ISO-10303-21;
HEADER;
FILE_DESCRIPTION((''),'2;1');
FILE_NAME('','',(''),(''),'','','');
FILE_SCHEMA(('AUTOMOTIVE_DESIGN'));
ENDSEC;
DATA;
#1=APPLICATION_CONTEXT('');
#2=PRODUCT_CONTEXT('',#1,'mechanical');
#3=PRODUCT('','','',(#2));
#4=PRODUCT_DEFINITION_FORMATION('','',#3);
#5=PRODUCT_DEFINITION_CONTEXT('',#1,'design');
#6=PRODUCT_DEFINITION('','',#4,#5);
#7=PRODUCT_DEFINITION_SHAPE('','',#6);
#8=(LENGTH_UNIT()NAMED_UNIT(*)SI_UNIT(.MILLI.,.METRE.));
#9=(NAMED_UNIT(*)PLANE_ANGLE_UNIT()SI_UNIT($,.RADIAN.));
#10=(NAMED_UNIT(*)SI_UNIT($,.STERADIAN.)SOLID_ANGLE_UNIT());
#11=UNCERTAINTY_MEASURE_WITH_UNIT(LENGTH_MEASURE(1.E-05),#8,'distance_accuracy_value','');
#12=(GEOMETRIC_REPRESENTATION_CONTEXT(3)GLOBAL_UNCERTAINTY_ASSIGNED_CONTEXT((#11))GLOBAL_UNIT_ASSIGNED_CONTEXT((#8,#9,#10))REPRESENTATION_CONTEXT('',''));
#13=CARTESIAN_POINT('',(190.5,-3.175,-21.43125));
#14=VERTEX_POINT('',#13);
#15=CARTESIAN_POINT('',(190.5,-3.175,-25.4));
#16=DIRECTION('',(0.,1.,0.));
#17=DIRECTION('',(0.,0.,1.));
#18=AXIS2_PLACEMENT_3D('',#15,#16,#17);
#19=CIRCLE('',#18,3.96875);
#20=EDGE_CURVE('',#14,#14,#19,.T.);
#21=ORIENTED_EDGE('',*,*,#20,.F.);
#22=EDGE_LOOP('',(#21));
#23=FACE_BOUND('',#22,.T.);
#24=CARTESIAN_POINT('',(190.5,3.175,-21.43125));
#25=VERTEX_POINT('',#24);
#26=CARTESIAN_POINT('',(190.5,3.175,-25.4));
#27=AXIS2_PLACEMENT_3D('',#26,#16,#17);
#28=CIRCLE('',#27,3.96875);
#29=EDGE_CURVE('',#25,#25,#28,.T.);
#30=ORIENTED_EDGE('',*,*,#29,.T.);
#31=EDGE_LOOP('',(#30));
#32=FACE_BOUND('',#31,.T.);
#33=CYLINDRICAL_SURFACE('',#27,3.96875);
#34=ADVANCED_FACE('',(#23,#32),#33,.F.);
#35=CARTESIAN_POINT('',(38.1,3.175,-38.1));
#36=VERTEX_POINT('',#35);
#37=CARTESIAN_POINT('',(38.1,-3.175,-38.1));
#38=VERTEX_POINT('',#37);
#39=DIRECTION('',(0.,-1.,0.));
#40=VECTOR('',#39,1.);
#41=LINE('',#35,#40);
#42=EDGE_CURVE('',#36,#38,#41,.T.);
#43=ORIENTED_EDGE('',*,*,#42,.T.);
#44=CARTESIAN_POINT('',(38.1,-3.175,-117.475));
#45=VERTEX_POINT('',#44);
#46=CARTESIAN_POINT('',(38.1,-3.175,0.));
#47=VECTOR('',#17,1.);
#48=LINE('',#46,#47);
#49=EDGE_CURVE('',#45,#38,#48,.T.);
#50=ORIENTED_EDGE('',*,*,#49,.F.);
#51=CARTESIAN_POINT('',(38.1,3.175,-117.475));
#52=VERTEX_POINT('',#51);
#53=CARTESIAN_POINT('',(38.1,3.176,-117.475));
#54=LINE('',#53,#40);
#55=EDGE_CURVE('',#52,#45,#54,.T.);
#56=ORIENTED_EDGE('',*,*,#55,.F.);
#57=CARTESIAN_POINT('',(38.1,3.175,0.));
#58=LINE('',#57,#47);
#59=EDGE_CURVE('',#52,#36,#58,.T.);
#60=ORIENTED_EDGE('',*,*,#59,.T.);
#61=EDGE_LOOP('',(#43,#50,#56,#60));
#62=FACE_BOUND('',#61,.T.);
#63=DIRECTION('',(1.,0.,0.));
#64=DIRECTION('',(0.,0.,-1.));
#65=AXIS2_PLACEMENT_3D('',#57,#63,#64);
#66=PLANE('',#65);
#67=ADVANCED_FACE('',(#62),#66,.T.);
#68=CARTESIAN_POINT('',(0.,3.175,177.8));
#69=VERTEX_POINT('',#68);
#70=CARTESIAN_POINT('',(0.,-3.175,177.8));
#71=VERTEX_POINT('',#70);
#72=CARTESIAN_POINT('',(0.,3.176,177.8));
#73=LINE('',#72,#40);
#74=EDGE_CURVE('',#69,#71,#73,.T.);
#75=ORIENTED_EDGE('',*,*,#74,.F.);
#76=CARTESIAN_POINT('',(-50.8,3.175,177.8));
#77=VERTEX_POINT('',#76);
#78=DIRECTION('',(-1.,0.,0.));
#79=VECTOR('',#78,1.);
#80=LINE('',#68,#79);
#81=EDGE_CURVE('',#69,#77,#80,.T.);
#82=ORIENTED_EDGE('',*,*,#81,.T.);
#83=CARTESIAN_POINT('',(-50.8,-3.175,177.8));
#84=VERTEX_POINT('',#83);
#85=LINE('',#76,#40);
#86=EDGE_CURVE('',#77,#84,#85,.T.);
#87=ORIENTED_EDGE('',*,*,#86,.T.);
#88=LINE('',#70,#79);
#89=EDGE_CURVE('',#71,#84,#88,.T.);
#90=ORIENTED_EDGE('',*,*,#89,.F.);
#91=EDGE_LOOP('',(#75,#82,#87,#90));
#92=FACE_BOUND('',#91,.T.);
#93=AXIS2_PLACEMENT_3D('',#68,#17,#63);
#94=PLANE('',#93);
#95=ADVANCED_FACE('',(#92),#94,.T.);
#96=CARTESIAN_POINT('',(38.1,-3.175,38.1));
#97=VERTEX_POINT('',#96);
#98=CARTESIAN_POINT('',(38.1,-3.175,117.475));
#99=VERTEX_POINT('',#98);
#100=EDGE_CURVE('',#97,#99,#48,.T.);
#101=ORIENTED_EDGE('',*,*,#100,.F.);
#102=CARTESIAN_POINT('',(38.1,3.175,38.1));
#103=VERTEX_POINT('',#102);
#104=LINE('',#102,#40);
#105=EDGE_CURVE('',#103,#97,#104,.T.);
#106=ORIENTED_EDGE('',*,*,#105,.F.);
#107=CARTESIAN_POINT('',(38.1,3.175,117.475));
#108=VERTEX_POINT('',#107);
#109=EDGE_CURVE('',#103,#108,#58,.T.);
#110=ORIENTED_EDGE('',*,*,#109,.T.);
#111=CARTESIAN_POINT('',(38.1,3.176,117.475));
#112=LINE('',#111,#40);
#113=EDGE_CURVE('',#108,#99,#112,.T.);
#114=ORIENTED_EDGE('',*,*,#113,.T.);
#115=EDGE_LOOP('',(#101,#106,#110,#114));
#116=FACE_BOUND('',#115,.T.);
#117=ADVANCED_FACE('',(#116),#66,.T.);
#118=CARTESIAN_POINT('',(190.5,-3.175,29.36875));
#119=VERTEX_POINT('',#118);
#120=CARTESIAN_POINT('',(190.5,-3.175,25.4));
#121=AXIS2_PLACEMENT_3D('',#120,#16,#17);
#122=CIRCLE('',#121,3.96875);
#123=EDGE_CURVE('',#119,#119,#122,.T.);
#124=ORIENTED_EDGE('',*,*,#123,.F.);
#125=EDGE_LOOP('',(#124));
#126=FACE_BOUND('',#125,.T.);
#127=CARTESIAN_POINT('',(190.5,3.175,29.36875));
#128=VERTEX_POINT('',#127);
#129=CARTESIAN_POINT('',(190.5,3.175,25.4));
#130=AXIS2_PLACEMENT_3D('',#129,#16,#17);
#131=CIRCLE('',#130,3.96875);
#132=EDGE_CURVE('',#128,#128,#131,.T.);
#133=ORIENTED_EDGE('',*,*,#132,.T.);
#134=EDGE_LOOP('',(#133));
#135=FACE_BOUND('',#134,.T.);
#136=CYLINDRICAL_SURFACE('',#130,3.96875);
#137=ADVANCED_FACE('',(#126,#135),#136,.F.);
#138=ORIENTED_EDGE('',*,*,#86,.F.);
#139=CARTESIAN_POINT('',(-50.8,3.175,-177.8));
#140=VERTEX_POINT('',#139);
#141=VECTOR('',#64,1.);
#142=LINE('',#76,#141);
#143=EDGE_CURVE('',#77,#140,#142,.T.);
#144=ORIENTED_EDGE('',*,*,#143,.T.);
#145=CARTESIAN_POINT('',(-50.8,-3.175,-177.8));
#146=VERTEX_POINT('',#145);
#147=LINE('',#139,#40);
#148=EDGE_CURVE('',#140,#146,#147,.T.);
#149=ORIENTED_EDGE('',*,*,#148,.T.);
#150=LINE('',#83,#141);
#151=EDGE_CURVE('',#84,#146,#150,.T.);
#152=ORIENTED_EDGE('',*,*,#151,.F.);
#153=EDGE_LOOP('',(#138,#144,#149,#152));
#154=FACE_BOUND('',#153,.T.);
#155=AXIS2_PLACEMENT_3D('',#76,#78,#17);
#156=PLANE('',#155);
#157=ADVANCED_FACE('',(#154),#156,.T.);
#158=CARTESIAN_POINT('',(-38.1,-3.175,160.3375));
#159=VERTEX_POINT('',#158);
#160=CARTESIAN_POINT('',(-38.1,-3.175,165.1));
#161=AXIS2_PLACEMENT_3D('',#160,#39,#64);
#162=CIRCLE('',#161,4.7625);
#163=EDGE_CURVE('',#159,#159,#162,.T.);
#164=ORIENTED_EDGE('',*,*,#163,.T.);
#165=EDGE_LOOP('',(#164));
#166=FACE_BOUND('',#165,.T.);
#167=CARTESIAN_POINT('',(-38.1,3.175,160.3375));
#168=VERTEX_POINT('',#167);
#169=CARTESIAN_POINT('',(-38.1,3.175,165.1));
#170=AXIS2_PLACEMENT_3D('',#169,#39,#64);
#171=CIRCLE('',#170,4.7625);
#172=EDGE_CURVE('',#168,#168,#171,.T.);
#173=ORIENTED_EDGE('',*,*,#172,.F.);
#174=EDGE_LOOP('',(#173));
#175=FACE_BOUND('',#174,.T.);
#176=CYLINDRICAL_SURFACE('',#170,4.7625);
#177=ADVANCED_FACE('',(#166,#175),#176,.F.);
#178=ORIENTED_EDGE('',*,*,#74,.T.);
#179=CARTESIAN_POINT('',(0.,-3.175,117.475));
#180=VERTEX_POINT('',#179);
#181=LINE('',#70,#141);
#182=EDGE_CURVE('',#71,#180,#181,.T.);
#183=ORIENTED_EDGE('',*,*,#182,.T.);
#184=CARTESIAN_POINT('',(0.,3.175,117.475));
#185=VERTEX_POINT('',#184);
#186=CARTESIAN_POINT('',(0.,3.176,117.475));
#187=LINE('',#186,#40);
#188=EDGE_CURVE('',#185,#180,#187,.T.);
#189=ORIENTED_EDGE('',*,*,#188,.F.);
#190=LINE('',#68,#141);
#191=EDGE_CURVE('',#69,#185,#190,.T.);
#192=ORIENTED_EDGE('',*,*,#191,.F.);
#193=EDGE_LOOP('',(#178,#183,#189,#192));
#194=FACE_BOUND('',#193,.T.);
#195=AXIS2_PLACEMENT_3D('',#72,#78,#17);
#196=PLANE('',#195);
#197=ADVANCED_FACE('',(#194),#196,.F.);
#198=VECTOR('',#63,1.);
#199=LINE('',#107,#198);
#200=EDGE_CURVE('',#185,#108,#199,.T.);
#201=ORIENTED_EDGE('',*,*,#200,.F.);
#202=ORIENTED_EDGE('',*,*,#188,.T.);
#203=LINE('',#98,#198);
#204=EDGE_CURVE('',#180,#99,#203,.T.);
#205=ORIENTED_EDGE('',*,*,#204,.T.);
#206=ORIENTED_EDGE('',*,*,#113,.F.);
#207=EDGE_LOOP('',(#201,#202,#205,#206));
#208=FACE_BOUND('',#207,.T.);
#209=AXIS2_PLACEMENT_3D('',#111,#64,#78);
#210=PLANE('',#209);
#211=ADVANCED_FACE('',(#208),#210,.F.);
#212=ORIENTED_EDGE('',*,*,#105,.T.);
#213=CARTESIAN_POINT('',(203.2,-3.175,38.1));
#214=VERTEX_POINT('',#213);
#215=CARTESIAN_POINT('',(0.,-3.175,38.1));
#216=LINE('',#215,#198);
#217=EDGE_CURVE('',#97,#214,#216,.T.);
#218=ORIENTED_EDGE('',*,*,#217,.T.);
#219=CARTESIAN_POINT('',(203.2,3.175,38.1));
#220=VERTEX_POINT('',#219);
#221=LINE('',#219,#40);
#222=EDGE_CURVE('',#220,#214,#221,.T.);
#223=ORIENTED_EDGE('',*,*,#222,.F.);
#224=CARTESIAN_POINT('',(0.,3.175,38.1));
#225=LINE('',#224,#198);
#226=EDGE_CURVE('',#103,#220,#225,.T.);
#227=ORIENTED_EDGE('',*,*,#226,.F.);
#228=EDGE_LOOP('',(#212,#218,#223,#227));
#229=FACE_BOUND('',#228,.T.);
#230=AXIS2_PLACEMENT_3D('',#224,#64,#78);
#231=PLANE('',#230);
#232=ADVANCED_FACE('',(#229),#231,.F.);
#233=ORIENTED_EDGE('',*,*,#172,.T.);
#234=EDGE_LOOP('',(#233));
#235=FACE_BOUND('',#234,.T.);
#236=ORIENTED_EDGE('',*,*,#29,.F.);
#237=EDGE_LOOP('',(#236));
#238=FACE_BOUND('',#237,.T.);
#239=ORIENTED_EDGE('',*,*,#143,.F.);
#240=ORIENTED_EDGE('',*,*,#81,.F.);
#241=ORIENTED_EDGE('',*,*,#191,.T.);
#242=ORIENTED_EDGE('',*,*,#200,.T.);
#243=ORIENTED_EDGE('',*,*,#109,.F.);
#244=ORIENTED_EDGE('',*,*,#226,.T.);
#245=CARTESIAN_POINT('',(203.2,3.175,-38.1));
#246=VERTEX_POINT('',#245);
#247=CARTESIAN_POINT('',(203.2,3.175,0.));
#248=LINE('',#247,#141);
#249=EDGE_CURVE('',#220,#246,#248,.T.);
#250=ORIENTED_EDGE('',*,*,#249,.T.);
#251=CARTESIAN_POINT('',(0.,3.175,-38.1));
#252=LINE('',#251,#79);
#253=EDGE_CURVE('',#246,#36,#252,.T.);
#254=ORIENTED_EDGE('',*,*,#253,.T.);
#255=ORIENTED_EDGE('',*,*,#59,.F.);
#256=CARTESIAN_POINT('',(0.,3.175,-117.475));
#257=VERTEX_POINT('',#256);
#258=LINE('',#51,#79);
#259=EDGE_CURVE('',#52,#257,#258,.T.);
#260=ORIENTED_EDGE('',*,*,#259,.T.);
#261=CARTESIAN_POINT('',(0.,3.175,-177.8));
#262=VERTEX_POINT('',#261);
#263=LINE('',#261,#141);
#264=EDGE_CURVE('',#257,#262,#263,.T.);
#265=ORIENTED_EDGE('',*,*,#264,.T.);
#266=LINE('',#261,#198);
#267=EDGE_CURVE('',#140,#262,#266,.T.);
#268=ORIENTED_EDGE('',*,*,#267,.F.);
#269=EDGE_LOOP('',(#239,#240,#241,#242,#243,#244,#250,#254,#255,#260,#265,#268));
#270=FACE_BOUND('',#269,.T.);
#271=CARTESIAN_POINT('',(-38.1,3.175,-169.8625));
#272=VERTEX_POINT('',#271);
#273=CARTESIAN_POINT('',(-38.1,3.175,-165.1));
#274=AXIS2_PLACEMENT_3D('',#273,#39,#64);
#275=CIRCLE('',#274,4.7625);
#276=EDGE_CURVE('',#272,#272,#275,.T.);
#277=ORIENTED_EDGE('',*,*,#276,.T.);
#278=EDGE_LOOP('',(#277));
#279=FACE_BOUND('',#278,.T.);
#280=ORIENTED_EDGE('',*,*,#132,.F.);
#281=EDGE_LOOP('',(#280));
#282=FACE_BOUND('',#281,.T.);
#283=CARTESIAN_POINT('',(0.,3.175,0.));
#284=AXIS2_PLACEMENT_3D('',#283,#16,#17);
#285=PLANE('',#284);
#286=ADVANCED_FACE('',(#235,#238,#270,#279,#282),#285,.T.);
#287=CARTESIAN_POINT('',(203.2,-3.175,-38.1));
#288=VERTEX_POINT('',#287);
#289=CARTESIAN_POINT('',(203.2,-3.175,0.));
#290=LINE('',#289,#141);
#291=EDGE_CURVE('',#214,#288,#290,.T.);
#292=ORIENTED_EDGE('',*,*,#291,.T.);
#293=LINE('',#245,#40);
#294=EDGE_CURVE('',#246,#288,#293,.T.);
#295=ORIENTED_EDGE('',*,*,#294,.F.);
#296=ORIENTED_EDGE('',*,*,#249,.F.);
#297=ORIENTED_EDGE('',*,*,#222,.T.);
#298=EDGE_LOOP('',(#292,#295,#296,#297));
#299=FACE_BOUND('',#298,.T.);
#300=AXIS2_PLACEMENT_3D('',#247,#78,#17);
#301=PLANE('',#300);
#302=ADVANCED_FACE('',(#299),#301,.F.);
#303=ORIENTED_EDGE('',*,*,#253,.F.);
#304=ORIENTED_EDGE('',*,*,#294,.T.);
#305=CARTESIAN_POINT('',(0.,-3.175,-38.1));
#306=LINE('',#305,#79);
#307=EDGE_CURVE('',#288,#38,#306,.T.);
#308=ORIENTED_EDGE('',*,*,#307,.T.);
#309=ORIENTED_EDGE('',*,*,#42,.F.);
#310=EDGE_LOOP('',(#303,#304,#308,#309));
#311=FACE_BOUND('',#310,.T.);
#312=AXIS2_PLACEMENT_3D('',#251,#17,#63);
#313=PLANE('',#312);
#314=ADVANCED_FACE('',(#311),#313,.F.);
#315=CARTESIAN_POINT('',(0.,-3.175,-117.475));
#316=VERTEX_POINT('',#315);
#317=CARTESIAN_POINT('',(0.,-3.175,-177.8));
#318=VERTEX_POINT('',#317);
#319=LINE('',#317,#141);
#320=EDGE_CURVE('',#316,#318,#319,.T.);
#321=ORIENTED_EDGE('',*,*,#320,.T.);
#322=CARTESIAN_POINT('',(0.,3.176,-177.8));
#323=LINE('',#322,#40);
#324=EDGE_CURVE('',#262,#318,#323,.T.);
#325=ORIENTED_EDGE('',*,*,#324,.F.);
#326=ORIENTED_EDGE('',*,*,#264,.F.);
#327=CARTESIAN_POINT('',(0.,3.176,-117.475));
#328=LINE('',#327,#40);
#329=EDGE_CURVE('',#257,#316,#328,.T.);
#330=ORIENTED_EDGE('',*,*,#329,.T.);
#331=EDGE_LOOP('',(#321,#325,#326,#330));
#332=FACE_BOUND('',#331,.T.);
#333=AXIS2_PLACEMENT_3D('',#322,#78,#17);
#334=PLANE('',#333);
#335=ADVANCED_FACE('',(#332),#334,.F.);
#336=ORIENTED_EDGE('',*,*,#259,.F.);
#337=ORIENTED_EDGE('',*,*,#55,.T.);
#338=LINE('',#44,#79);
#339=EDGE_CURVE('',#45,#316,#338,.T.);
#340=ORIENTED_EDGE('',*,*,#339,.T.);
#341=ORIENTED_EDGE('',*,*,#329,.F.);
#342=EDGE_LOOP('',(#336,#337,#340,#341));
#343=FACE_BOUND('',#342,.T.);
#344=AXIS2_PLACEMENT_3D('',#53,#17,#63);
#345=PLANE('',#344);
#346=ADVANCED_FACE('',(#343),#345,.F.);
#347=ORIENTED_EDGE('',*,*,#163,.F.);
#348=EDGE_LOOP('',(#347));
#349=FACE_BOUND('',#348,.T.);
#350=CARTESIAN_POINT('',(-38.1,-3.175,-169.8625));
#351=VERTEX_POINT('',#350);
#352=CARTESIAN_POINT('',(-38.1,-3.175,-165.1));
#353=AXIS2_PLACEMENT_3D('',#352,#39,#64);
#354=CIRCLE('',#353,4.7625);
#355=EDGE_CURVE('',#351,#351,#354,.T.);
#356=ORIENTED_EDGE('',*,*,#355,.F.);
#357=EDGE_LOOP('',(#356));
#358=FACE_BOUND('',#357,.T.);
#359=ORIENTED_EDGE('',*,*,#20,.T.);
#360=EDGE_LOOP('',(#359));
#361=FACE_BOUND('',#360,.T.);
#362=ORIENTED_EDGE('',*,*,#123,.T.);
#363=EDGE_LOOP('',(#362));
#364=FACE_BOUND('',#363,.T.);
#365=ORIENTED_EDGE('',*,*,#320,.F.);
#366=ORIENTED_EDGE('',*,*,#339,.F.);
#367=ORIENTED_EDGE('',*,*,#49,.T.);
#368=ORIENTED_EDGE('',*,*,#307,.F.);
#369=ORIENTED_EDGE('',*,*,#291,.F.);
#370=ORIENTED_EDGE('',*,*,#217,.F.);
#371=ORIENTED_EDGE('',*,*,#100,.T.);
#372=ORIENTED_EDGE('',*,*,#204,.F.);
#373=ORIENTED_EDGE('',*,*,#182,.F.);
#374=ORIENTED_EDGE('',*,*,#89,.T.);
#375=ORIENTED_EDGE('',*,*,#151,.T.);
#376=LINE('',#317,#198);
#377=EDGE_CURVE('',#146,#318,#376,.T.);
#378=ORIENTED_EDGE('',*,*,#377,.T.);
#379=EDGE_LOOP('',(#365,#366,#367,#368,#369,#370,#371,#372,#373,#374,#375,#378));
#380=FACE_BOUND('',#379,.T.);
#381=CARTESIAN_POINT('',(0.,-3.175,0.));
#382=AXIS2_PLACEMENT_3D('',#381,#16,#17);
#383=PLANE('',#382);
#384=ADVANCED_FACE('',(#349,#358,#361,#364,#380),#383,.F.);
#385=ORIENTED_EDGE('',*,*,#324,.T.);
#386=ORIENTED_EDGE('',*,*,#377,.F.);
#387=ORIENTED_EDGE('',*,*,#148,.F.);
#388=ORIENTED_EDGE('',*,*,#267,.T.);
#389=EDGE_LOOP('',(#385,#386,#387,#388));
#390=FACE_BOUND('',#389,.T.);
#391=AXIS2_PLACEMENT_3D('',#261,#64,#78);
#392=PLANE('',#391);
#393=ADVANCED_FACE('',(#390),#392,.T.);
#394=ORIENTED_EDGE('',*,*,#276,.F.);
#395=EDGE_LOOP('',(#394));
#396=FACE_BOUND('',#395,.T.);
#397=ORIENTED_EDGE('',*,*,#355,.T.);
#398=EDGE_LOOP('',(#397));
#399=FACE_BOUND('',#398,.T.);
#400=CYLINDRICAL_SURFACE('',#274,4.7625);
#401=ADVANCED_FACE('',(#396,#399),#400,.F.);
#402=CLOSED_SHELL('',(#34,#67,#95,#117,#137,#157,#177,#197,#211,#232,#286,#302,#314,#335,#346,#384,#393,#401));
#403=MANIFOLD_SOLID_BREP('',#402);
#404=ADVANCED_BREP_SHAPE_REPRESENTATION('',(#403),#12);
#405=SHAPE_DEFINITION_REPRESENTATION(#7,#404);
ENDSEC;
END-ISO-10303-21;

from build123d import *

# Parameters (mm, degrees)
SKETCH1_W                   = 165.1
SKETCH1_H                   = 38.1
BOSS_EXTRUDE1_DEPTH         = 3.175
F_1_4_0_25_DIAMETER_HOLE1_D = 7.9375
SKETCH4_W                   = 50.8
SKETCH4_H                   = 355.6
SKETCH4_R                   = 4.7625
BOSS_EXTRUDE2_DEPTH         = 6.35
CUT_EXTRUDE1_REACH          = 272.08
SKETCH5_W                   = 38.1
SKETCH5_H                   = 60.325


with BuildPart() as part:
    # Sketch1 → Boss-Extrude1 (new, symmetric)
    with BuildSketch(Plane(origin=(0, 0, 0), x_dir=(1, 0, 0), z_dir=(0, 1, 0))):
        Polygon((0, 0), (0, -177.8), (38.1, -177.8), (38.1, -38.1), (38.1, 0), align=None)
        with Locations((120.65, -19.05)):
            Rectangle(SKETCH1_W, SKETCH1_H)
        with Locations((120.65, 19.05)):
            Rectangle(SKETCH1_W, SKETCH1_H)
        Polygon((0, 177.8), (0, 0), (38.1, 0), (38.1, 38.1), (38.1, 177.8), align=None)
    extrude(amount=BOSS_EXTRUDE1_DEPTH, both=True)

    # 1/4 (0.25) Diameter Hole1 (through all)
    with Locations(Plane(origin=(0, 3.175, 0), x_dir=(1, 0, 0), z_dir=(0, 1, 0))):
        with Locations((190.5, 25.4), (190.5, -25.4)):
            Hole(F_1_4_0_25_DIAMETER_HOLE1_D / 2)

    # Sketch4 → Boss-Extrude2 (add)
    with BuildSketch(Plane.XZ.offset(3.175)):
        with Locations((-25.4, 0)):
            Rectangle(SKETCH4_W, SKETCH4_H)
        with Locations(Location((-38.1, -165.1, 0), (0, 0, 270))):
            Circle(SKETCH4_R, mode=Mode.SUBTRACT)
        with Locations(Location((-38.1, 165.1, 0), (0, 0, 270))):
            Circle(SKETCH4_R, mode=Mode.SUBTRACT)
    extrude(amount=-BOSS_EXTRUDE2_DEPTH)

    # Sketch5 → Cut-Extrude1 (cut, up to next)
    with BuildSketch(Plane.XZ.offset(3.175), mode=Mode.PRIVATE) as cut_extrude1_sk1:
        with Locations((19.05, 147.6375)):
            Rectangle(SKETCH5_W, SKETCH5_H)
    cut_extrude1_tool1 = extrude(cut_extrude1_sk1.sketch, amount=-CUT_EXTRUDE1_REACH, mode=Mode.PRIVATE) & part.part
    # Sketch5 → Cut-Extrude1 (cut, up to next)
    with BuildSketch(Plane.XZ.offset(3.175), mode=Mode.PRIVATE) as cut_extrude1_sk2:
        with Locations((19.05, -147.6375)):
            Rectangle(SKETCH5_W, SKETCH5_H)
    cut_extrude1_tool2 = extrude(cut_extrude1_sk2.sketch, amount=-CUT_EXTRUDE1_REACH, mode=Mode.PRIVATE) & part.part
    add(cut_extrude1_tool1.solids().sort_by_distance((19.05, -3.175, 147.6375))[0], mode=Mode.SUBTRACT)
    add(cut_extrude1_tool2.solids().sort_by_distance((19.05, -3.175, -147.6375))[0], mode=Mode.SUBTRACT)


solid = part.part
